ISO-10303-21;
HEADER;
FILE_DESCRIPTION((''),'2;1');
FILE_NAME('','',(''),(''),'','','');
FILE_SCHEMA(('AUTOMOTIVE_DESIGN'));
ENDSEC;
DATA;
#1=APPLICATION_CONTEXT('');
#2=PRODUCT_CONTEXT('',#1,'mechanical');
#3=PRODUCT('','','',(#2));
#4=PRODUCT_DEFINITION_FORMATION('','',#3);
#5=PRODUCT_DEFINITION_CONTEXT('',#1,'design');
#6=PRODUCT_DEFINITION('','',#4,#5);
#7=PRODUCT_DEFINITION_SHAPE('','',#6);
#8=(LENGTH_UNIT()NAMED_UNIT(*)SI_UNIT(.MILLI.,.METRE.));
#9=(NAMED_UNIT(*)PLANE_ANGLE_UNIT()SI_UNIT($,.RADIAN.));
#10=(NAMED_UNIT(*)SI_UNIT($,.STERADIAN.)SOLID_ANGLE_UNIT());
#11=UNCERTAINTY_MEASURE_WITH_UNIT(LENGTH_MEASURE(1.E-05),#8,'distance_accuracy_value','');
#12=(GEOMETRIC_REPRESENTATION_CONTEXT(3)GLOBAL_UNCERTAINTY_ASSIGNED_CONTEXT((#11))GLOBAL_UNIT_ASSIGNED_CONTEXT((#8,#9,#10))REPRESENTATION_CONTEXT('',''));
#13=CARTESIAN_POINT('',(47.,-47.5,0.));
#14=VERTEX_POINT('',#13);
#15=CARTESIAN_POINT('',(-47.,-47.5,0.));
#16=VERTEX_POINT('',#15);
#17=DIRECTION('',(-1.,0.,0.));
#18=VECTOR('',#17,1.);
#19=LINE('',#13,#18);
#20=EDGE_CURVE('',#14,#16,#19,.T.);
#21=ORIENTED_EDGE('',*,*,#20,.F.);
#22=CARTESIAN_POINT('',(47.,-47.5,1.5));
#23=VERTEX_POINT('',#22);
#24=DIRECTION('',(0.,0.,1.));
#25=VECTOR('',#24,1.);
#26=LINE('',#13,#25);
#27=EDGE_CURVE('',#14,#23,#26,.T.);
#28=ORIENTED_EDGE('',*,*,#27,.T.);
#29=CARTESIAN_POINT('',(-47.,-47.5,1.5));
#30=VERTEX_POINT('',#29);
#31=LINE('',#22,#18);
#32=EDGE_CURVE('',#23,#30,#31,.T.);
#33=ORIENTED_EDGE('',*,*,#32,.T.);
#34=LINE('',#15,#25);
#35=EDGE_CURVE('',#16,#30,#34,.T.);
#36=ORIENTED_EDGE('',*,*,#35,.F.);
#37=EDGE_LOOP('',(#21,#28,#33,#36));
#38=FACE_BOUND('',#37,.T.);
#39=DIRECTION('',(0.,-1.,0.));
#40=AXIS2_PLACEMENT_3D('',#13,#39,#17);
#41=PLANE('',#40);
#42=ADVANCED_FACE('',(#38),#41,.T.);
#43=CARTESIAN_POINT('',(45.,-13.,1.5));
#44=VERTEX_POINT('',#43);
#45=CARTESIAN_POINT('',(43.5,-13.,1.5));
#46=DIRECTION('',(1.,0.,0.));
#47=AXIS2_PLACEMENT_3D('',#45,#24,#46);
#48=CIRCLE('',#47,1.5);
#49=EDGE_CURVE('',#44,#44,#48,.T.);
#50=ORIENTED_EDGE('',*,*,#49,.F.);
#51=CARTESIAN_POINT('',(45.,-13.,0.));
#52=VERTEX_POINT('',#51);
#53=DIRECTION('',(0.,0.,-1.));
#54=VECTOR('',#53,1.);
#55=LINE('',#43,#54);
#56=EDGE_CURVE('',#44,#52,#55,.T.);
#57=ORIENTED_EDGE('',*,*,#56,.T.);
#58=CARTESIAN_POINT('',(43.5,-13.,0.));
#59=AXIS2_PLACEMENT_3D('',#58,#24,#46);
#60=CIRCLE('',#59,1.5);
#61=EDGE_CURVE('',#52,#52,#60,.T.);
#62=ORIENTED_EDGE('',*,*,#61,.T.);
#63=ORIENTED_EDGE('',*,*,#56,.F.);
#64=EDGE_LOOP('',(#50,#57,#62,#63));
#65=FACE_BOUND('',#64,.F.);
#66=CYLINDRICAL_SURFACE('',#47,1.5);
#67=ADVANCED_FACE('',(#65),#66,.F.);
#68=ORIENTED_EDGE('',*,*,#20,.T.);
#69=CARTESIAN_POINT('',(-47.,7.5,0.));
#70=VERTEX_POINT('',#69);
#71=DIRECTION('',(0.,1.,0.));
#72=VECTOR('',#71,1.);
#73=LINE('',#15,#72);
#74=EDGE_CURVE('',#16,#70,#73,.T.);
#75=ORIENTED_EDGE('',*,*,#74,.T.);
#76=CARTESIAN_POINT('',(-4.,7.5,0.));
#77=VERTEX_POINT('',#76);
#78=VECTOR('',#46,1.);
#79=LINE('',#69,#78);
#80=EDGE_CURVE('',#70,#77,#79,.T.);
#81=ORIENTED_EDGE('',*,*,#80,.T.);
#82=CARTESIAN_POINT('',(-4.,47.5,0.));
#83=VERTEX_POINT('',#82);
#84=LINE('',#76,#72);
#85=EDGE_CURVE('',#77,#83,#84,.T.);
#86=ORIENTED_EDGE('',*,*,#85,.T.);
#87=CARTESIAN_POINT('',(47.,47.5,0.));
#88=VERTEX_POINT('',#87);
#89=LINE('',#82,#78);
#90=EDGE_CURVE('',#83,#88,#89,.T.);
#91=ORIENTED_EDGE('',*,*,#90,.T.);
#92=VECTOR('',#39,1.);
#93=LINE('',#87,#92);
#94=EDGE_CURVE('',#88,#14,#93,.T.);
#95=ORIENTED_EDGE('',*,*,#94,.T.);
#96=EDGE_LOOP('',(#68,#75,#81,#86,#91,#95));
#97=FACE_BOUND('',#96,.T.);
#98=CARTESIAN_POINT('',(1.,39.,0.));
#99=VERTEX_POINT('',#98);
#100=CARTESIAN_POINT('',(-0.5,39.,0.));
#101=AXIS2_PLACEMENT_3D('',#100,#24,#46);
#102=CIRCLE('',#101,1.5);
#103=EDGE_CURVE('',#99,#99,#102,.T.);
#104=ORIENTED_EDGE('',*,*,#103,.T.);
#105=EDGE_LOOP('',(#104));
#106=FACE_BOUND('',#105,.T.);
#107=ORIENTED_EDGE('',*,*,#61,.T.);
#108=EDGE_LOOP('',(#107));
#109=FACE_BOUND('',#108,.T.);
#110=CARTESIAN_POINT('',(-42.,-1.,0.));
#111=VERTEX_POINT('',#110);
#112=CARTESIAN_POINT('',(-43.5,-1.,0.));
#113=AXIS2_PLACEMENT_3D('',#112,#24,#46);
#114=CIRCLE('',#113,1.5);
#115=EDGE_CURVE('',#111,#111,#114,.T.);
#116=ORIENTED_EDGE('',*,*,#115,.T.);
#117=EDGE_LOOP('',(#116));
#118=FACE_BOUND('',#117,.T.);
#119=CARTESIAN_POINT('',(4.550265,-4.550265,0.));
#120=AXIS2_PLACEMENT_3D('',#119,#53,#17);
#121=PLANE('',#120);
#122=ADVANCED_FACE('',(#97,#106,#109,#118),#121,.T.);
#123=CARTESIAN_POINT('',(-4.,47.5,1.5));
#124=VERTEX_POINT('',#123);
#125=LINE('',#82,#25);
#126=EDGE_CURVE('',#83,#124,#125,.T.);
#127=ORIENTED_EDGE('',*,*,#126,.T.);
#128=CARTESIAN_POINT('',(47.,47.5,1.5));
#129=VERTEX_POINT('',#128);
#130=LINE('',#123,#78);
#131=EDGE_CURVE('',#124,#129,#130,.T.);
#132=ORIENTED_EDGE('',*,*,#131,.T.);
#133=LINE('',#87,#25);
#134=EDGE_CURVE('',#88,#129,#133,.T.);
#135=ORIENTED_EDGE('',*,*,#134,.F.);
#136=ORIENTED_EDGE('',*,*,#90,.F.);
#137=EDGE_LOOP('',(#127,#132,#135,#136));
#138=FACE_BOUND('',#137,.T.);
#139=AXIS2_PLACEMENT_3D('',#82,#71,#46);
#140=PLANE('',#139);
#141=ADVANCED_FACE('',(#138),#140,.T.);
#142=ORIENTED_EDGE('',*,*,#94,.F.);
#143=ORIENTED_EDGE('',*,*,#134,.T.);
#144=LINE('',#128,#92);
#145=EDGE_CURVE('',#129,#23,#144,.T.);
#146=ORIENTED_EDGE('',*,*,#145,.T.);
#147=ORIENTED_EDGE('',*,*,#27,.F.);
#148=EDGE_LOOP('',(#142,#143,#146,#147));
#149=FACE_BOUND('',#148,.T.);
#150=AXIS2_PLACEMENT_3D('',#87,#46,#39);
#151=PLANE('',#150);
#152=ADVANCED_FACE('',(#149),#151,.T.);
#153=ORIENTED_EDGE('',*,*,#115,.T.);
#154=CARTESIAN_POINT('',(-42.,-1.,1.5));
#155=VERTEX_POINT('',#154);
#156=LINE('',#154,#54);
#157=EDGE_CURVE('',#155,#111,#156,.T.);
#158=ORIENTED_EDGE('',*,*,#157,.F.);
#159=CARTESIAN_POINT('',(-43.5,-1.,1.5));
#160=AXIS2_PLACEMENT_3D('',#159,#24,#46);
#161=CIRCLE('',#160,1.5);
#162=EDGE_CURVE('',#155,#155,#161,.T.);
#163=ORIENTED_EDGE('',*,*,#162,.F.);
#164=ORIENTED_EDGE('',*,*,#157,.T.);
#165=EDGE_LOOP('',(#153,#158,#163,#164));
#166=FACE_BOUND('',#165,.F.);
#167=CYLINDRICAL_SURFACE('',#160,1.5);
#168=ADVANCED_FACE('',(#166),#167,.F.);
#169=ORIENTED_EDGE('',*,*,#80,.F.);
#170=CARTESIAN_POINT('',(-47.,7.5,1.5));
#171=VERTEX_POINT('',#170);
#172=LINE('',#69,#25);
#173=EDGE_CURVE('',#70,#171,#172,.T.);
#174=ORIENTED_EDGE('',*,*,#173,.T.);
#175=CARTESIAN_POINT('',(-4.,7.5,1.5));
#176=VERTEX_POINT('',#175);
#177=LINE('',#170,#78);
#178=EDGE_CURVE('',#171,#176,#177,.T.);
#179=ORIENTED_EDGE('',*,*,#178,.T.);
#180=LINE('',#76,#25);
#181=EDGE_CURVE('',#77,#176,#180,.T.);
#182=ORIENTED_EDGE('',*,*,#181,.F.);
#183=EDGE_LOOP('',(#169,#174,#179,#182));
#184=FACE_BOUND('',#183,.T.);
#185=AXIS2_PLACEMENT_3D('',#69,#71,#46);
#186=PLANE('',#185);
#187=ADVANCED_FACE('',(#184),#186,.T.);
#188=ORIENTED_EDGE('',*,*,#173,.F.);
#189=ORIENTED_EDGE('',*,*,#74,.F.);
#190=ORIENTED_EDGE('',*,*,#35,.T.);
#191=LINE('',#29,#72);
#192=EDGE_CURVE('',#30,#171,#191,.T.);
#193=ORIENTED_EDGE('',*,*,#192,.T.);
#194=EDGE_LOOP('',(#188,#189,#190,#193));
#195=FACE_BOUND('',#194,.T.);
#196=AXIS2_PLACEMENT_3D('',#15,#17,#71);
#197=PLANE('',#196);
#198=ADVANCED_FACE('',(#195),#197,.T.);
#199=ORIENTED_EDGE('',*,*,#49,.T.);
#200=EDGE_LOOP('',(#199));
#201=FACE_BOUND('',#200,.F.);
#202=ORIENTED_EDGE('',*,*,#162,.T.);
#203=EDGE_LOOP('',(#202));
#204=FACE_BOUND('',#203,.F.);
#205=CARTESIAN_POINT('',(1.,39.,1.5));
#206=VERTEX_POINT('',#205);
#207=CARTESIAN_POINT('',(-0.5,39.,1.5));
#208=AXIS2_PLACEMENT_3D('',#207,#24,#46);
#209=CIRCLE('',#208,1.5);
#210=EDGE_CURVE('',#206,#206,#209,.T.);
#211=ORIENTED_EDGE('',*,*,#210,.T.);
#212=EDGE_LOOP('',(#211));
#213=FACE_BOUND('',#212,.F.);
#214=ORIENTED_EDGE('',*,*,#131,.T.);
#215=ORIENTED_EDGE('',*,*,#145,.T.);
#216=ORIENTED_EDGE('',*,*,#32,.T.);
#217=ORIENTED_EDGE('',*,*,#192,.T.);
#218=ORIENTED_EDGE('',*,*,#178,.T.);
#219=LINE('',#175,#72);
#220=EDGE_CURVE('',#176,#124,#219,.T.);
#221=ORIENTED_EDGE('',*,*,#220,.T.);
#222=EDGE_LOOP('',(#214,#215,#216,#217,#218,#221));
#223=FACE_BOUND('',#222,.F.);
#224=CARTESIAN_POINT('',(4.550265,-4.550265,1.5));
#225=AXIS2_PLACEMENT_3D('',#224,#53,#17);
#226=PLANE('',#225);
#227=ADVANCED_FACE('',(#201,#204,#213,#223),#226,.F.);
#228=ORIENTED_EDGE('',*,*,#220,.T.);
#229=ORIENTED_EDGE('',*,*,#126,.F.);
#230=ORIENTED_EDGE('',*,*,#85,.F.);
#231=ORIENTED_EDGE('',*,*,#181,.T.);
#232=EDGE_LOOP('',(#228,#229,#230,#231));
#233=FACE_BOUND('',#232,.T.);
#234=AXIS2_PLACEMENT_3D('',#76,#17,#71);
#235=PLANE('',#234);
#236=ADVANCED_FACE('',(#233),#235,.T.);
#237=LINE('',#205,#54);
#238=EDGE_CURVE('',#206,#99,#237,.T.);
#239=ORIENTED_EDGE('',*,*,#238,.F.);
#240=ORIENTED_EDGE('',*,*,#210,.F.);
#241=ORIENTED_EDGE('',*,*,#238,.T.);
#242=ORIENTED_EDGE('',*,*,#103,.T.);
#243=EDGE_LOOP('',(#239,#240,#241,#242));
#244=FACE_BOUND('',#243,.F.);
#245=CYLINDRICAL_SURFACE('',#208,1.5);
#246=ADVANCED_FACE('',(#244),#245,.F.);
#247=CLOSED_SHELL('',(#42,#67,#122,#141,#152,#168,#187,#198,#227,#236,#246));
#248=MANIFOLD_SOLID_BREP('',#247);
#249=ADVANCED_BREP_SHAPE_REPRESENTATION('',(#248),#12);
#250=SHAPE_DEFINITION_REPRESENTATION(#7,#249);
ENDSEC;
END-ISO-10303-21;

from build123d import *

# Parameters (mm, degrees)
PAD_DEPTH    = 1.5
SKETCH011_R  = 1.5
POCKET_DEPTH = 5


with BuildPart() as part:
    # Sketch → Pad (new body)
    with BuildSketch(Plane.XY):
        Polygon((-4, 7.5), (-4, 47.5), (47, 47.5), (47, -47.5), (-47, -47.5), (-47, 7.5), align=None)
    extrude(amount=PAD_DEPTH)

    # Sketch011 → Pocket (cut)
    with BuildSketch(Plane.XY.offset(1.5)):
        with Locations((43.5, -13)):
            Circle(SKETCH011_R)
        with Locations((-0.5, 39)):
            Circle(SKETCH011_R)
        with Locations((-43.5, -1)):
            Circle(SKETCH011_R)
    extrude(amount=-POCKET_DEPTH, mode=Mode.SUBTRACT)


solid = part.part
